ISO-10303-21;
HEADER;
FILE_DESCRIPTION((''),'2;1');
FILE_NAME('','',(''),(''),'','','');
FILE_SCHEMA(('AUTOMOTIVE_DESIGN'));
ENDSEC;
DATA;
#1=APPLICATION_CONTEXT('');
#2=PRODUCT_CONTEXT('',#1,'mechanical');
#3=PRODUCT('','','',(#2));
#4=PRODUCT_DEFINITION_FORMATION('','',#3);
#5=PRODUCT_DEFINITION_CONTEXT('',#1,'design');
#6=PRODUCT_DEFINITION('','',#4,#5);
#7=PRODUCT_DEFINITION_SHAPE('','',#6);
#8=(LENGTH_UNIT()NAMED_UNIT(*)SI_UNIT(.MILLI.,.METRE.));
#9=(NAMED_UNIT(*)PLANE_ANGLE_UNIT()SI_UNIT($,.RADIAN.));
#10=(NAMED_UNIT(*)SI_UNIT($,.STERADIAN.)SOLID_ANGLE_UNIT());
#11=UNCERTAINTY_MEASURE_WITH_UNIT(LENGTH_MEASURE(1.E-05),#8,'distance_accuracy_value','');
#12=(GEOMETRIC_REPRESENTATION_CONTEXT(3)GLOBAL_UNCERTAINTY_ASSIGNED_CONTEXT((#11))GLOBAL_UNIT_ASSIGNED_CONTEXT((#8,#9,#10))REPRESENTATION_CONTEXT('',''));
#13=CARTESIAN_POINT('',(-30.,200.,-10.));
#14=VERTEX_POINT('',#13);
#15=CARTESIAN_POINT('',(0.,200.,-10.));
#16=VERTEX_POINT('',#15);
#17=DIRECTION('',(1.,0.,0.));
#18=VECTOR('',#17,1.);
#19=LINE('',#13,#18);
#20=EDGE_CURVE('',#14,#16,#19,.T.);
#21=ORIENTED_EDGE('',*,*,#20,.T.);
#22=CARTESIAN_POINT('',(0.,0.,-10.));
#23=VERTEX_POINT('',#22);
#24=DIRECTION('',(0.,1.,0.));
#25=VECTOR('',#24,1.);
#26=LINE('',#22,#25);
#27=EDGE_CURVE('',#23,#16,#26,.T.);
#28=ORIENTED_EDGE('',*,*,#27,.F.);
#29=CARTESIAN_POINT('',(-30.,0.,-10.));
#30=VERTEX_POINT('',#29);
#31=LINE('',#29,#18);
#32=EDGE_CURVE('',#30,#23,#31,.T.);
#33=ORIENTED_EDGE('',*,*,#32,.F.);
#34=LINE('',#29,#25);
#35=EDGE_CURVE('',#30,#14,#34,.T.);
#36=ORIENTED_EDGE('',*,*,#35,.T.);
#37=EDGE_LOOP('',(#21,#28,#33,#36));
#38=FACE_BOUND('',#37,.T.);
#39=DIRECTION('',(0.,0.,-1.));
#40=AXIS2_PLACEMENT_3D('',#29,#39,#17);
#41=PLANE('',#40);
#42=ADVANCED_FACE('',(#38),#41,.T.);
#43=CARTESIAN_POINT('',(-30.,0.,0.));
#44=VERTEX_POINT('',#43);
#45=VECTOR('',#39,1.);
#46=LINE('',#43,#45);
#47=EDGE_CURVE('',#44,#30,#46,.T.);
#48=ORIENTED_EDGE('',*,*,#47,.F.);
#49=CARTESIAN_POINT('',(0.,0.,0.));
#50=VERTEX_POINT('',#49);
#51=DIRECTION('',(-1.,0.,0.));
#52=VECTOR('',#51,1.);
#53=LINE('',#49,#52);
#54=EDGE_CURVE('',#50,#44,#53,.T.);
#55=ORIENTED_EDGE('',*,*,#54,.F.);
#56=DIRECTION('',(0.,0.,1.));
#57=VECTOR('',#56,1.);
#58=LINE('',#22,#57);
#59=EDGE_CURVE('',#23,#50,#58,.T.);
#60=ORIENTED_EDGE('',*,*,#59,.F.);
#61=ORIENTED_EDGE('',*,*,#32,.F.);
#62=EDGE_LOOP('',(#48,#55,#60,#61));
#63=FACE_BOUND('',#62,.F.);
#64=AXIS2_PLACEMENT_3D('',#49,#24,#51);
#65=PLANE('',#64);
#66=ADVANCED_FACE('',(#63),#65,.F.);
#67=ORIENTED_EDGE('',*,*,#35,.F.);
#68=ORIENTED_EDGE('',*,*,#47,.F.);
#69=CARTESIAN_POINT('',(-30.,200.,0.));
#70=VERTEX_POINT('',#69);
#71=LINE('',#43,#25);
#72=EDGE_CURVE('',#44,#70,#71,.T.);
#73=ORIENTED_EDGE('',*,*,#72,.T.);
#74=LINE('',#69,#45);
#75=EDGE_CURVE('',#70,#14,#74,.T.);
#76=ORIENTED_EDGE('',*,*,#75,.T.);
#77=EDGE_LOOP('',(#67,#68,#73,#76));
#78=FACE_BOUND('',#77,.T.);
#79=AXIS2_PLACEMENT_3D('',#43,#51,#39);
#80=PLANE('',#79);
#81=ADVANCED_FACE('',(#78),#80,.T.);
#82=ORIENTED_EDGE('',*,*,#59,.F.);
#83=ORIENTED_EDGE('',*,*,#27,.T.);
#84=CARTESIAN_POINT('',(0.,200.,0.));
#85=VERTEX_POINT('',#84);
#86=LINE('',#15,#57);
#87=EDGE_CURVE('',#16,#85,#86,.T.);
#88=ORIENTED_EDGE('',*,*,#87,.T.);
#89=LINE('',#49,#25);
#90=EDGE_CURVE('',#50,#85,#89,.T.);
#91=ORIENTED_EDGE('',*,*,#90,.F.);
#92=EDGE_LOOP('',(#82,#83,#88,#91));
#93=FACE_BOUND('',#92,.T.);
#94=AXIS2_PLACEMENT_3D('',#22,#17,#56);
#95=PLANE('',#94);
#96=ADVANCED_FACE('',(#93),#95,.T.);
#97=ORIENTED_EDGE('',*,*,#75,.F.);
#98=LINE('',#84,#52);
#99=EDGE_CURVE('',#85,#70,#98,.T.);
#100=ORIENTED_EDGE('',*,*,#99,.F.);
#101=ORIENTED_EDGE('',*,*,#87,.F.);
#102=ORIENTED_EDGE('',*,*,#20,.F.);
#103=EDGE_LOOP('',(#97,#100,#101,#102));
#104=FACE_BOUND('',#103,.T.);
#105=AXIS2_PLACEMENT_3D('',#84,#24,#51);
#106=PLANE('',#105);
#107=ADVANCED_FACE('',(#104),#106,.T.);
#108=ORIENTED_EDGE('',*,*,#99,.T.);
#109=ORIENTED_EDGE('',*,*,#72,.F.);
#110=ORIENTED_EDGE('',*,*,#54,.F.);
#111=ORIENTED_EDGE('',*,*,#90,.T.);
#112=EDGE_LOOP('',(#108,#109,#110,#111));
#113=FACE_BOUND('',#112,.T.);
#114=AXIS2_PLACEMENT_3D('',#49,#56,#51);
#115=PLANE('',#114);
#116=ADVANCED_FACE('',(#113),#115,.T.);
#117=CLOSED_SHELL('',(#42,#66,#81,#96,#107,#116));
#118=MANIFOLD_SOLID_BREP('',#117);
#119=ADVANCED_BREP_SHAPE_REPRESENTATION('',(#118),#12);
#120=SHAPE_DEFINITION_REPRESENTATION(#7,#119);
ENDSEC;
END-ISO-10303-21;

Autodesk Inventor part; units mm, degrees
ref_plane "YZ Plane" through (0, 0, 0) normal (1, 0, 0) x (0, 1, 0)
ref_plane "XZ Plane" through (0, 0, 0) normal (0, 1, 0) x (-1, 0, 0)
ref_plane "XY Plane" through (0, 0, 0) normal (0, 0, 1) x (1, 0, 0)
sketch "スケッチ1" plane through (0, 0, 0) normal (0, 1, 0) x (-1, 0, 0)
  line L0 (0, 0) -> (30, 0)
  line L1 (30, 0) -> (30, -10)
  line L2 (30, -10) -> (0, -10)
  line L3 (0, -10) -> (0, 0)
  dimension "d0" = 30
  dimension "d1" = 10
extrude "押し出し1" add sketch "スケッチ1" along normal blind 200
